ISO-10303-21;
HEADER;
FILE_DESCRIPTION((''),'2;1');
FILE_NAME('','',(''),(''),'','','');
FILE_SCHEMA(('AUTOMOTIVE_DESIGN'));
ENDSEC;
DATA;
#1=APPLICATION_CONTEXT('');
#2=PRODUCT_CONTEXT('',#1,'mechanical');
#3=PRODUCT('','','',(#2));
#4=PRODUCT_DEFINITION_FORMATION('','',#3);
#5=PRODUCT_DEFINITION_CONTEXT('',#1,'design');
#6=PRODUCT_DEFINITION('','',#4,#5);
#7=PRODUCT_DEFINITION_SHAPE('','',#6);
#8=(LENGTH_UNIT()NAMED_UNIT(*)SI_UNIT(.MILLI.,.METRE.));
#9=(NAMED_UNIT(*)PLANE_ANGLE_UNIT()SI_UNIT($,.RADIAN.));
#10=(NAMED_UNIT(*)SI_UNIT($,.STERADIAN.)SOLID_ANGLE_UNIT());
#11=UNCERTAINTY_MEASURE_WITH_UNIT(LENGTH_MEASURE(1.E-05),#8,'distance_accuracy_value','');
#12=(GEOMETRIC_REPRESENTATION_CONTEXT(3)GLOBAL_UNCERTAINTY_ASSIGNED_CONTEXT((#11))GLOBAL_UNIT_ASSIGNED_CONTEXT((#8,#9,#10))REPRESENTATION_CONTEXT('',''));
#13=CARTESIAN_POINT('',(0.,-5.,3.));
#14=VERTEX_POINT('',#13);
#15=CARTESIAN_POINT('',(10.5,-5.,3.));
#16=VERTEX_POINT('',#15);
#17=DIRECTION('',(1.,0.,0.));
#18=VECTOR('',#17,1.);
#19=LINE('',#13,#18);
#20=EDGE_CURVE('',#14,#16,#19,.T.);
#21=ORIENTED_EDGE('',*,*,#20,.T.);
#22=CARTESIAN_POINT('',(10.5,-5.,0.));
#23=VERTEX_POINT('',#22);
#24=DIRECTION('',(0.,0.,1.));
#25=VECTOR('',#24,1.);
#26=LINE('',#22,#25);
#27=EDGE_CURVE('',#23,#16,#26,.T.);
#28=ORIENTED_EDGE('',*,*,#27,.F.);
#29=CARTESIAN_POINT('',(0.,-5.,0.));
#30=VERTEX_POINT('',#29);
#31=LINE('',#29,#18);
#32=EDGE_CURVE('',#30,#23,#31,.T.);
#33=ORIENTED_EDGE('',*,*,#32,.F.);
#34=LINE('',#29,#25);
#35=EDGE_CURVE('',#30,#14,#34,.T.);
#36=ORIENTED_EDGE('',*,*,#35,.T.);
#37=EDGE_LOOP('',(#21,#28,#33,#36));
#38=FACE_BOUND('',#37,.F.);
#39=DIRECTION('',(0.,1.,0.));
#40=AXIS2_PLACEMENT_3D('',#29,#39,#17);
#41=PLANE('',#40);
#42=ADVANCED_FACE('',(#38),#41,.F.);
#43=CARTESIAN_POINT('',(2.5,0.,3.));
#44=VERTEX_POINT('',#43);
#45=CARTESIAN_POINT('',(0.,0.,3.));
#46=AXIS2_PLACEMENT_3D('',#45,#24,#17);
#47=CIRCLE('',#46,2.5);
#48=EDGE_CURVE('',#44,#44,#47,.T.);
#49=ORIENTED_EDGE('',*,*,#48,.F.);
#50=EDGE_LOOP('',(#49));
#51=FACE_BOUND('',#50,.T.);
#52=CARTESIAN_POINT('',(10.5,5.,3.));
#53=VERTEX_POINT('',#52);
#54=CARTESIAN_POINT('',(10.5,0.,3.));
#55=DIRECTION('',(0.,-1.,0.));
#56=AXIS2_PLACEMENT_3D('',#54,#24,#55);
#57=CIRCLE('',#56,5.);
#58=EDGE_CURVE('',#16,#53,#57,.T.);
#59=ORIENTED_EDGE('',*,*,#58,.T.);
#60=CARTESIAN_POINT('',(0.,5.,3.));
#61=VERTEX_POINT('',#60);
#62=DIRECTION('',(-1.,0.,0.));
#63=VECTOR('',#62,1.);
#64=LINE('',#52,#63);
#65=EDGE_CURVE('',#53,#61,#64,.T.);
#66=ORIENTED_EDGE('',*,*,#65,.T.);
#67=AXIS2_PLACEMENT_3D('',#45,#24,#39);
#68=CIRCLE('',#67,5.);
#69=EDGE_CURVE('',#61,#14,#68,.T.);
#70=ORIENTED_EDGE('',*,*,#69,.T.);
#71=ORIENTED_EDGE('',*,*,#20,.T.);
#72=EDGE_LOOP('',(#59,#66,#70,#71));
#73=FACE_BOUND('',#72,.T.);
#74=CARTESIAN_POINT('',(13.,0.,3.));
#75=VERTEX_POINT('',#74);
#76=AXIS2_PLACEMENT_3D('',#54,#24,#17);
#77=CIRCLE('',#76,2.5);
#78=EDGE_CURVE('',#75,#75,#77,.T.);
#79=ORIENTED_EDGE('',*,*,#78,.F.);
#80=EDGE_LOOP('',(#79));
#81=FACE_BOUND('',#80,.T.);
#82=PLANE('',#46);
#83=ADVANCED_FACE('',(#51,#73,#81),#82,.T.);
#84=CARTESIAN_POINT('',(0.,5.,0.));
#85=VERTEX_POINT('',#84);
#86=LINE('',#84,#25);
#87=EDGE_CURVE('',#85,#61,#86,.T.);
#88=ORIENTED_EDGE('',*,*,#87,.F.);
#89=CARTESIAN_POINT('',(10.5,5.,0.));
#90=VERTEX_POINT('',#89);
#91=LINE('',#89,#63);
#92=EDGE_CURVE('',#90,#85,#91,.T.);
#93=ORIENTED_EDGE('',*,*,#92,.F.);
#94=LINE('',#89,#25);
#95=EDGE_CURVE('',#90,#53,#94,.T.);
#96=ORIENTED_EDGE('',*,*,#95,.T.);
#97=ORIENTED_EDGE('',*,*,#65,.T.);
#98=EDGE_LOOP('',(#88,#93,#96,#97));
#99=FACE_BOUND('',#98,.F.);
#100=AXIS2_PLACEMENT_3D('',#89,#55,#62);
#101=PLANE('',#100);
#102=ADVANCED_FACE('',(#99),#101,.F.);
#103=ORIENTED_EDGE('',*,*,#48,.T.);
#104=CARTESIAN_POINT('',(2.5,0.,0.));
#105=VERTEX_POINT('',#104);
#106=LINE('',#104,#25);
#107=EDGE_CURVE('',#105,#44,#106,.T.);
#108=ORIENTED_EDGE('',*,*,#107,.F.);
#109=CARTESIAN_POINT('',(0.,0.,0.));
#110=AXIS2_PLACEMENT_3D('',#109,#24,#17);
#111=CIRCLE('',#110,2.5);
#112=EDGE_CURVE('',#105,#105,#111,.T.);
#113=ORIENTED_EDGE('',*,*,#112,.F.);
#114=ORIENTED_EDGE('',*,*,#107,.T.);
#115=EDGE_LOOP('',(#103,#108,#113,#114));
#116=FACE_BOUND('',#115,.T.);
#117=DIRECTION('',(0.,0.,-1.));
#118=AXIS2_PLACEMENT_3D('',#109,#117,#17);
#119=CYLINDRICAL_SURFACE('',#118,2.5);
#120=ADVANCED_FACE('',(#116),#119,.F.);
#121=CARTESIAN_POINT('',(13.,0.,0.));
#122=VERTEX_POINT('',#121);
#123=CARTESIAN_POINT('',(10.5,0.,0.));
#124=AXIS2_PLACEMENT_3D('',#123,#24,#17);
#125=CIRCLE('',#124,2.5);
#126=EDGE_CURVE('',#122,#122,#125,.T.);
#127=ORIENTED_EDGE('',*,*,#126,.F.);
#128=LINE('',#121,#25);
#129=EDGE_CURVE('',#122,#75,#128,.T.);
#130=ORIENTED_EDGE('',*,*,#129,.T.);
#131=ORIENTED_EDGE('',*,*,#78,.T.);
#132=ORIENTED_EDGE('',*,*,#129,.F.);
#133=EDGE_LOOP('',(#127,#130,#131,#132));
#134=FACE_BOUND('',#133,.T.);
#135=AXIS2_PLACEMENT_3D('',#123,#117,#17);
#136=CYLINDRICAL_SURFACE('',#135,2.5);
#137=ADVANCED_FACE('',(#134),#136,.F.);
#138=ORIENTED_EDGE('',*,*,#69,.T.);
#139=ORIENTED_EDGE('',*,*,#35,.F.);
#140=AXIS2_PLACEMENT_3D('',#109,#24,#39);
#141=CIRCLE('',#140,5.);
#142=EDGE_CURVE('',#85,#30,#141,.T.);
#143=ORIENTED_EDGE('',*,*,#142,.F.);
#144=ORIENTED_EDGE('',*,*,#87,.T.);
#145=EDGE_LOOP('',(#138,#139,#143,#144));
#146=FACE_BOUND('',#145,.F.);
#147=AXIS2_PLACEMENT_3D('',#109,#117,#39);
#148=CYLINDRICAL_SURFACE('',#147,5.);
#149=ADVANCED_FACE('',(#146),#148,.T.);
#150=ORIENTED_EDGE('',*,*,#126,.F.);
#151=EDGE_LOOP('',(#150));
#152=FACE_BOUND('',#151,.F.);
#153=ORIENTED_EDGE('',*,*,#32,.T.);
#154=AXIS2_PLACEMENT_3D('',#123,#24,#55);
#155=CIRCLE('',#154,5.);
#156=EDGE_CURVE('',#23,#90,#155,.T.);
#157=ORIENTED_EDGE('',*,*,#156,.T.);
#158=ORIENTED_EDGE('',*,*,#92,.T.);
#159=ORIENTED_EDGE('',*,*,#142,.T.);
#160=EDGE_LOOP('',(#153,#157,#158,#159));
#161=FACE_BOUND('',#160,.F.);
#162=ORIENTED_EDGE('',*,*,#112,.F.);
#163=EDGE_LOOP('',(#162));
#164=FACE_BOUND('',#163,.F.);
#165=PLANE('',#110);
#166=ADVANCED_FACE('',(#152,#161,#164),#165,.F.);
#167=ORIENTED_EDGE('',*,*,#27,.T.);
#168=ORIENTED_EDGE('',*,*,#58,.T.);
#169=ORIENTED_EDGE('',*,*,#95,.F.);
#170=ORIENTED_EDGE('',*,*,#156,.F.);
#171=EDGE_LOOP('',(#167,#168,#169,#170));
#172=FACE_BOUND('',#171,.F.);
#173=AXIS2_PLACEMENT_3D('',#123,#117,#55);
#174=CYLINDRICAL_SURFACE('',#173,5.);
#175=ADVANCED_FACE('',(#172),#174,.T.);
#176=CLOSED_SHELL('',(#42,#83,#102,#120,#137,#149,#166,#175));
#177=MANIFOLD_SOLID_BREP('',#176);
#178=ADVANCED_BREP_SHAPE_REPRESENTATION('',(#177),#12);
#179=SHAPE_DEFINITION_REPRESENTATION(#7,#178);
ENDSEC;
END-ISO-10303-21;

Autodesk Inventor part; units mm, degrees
ref_plane "YZ Plane" through (0, 0, 0) normal (1, 0, 0) x (0, 1, 0)
ref_plane "XZ Plane" through (0, 0, 0) normal (0, 1, 0) x (-1, 0, 0)
ref_plane "XY Plane" through (0, 0, 0) normal (0, 0, 1) x (1, 0, 0)
sketch "草圖1" plane through (0, 0, 0) normal (0, 0, 1) x (1, 0, 0)
  line L0 (0, 0) -> (10.5, 0) construction
  line L1 (0, -5) -> (10.5, -5)
  line L2 (10.5, 5) -> (0, 5)
  arc A0 (0, 5) -> (0, -5) centre (0, 0) ccw
  arc A1 (10.5, -5) -> (10.5, 5) centre (10.5, 0) ccw
  circle A2 centre (0, 0) radius 2.5
  circle A3 centre (10.5, 0) radius 2.5
  point P0 (5.25, 0)
  dimension "d0" = 10.5
  dimension "d1" = 5
  dimension "d2" = 5
  dimension "d3" = 5
extrude "擠出1" add sketch "草圖1" along normal blind 3
properties part number "03連桿15"
